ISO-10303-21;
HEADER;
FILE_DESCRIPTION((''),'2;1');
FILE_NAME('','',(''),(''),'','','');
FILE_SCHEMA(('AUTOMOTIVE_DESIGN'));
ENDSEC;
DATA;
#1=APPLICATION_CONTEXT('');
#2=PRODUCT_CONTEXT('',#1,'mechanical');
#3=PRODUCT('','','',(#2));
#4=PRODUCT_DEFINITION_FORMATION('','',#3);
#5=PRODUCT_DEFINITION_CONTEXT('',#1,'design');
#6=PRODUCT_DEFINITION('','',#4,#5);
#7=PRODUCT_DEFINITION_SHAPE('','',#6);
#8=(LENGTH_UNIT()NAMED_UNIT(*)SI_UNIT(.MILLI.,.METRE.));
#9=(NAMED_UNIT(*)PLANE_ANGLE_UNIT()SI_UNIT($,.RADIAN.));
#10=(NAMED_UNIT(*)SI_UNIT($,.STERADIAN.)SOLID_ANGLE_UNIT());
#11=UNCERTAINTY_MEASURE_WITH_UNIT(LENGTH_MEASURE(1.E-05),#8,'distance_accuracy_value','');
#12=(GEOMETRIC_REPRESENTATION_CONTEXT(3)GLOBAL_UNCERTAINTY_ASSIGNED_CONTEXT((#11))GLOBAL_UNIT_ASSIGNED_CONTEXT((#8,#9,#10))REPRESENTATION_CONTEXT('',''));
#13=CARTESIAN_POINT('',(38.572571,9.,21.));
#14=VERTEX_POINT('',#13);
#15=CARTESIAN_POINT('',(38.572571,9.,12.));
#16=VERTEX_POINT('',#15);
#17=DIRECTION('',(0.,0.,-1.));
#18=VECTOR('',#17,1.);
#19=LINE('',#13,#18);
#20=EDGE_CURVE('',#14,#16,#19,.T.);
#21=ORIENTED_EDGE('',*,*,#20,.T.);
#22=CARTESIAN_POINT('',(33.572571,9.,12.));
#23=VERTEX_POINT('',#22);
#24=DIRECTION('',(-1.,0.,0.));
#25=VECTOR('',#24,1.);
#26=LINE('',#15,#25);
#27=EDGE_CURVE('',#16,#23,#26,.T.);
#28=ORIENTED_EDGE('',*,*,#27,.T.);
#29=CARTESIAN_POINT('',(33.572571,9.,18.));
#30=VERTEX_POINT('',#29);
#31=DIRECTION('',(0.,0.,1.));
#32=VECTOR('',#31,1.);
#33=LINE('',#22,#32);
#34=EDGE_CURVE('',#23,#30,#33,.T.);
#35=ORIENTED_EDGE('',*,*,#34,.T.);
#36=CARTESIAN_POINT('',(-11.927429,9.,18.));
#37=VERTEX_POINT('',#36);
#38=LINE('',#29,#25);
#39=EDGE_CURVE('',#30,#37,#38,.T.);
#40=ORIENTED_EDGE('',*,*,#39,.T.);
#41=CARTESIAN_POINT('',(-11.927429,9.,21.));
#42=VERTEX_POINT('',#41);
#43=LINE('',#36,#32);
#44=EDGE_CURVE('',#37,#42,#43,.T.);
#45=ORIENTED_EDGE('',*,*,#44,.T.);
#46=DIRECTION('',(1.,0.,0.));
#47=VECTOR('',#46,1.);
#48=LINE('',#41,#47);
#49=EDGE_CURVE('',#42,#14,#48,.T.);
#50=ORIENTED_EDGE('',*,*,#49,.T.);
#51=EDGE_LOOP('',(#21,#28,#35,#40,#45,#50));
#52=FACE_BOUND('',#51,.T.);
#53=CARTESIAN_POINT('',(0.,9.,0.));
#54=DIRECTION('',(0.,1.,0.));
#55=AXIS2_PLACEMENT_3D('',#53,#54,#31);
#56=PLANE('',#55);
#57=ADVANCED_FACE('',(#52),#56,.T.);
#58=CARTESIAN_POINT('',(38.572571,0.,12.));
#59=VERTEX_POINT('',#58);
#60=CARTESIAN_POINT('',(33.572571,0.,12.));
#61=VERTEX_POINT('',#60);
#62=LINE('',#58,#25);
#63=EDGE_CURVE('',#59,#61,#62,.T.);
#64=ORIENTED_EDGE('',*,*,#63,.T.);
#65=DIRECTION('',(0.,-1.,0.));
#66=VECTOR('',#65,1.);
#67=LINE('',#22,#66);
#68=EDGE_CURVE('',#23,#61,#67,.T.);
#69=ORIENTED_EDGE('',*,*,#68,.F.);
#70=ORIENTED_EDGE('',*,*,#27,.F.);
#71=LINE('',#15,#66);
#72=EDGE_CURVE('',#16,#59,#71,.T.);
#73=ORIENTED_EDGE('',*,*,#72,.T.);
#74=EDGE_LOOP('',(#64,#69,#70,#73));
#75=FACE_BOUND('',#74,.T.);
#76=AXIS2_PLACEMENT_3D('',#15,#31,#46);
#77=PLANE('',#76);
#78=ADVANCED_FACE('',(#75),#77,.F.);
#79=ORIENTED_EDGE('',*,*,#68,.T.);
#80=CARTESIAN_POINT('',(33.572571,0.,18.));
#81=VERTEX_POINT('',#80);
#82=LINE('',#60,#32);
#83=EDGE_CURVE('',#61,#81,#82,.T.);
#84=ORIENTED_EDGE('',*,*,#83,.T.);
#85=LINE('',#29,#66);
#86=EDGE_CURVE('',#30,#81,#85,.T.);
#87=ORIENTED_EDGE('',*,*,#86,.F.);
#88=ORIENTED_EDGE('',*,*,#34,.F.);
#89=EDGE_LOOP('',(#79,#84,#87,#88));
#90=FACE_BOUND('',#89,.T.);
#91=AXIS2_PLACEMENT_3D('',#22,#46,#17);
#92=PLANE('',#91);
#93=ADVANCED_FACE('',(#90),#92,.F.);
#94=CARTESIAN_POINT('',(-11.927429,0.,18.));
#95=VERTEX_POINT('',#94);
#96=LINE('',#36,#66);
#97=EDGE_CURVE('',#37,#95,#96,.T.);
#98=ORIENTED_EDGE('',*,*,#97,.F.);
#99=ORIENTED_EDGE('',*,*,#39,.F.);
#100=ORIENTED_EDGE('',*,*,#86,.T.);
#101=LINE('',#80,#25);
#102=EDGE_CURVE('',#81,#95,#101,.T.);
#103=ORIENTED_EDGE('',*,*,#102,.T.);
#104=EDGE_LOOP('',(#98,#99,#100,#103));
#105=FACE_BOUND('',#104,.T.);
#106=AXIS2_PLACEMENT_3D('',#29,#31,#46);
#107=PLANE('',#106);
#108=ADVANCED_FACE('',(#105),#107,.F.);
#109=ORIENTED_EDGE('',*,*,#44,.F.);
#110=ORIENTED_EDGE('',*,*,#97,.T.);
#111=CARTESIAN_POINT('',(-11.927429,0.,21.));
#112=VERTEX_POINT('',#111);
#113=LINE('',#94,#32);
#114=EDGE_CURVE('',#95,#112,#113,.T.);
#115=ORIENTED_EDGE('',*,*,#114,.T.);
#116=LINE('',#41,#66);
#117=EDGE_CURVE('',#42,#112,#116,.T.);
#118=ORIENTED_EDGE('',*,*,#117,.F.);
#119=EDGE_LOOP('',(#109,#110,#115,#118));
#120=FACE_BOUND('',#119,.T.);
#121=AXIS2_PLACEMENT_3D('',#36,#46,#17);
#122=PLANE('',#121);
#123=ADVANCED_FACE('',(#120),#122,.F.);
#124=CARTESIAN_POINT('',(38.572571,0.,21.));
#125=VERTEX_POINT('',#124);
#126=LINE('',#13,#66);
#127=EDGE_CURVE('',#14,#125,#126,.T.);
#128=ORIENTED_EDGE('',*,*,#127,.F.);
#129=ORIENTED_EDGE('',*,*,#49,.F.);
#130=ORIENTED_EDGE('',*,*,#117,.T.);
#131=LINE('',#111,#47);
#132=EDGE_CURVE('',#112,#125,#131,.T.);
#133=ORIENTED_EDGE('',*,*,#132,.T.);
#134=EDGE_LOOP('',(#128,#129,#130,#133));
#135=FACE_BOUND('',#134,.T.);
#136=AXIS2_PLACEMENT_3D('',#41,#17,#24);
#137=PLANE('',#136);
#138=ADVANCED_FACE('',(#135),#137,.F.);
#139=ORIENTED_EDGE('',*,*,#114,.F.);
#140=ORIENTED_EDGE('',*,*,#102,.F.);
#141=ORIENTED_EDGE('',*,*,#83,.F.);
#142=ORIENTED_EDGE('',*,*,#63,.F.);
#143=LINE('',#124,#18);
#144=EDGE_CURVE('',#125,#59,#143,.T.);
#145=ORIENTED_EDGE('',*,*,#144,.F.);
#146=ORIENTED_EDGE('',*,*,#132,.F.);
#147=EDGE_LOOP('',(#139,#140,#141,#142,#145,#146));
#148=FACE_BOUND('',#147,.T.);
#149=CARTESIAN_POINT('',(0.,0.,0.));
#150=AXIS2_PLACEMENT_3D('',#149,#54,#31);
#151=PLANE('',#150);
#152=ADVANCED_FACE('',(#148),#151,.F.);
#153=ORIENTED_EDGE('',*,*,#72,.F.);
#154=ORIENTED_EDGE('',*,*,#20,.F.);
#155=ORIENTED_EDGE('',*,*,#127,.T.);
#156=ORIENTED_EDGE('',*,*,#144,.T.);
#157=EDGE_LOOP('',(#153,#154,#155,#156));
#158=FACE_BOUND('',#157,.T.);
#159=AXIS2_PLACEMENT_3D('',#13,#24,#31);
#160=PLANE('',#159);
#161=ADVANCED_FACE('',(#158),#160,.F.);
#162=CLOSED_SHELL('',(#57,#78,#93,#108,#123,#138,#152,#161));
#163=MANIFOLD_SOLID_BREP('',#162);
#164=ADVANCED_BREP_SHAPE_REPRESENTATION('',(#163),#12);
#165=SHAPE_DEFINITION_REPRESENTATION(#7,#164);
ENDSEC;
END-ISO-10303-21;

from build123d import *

# Parameters (mm, degrees)
BOSS_EXTRUDE1_DEPTH = 9


with BuildPart() as part:
    # Sketch3 → Boss-Extrude1 (new body)
    with BuildSketch(Plane(origin=(0, 0, 0), x_dir=(1, 0, 0), z_dir=(0, 1, 0))):
        Polygon((38.572571462, -21), (38.572571462, -12), (33.572571462, -12), (33.572571462, -18), (-11.927428538, -18), (-11.927428538, -21), align=None)
    extrude(amount=BOSS_EXTRUDE1_DEPTH)


solid = part.part
